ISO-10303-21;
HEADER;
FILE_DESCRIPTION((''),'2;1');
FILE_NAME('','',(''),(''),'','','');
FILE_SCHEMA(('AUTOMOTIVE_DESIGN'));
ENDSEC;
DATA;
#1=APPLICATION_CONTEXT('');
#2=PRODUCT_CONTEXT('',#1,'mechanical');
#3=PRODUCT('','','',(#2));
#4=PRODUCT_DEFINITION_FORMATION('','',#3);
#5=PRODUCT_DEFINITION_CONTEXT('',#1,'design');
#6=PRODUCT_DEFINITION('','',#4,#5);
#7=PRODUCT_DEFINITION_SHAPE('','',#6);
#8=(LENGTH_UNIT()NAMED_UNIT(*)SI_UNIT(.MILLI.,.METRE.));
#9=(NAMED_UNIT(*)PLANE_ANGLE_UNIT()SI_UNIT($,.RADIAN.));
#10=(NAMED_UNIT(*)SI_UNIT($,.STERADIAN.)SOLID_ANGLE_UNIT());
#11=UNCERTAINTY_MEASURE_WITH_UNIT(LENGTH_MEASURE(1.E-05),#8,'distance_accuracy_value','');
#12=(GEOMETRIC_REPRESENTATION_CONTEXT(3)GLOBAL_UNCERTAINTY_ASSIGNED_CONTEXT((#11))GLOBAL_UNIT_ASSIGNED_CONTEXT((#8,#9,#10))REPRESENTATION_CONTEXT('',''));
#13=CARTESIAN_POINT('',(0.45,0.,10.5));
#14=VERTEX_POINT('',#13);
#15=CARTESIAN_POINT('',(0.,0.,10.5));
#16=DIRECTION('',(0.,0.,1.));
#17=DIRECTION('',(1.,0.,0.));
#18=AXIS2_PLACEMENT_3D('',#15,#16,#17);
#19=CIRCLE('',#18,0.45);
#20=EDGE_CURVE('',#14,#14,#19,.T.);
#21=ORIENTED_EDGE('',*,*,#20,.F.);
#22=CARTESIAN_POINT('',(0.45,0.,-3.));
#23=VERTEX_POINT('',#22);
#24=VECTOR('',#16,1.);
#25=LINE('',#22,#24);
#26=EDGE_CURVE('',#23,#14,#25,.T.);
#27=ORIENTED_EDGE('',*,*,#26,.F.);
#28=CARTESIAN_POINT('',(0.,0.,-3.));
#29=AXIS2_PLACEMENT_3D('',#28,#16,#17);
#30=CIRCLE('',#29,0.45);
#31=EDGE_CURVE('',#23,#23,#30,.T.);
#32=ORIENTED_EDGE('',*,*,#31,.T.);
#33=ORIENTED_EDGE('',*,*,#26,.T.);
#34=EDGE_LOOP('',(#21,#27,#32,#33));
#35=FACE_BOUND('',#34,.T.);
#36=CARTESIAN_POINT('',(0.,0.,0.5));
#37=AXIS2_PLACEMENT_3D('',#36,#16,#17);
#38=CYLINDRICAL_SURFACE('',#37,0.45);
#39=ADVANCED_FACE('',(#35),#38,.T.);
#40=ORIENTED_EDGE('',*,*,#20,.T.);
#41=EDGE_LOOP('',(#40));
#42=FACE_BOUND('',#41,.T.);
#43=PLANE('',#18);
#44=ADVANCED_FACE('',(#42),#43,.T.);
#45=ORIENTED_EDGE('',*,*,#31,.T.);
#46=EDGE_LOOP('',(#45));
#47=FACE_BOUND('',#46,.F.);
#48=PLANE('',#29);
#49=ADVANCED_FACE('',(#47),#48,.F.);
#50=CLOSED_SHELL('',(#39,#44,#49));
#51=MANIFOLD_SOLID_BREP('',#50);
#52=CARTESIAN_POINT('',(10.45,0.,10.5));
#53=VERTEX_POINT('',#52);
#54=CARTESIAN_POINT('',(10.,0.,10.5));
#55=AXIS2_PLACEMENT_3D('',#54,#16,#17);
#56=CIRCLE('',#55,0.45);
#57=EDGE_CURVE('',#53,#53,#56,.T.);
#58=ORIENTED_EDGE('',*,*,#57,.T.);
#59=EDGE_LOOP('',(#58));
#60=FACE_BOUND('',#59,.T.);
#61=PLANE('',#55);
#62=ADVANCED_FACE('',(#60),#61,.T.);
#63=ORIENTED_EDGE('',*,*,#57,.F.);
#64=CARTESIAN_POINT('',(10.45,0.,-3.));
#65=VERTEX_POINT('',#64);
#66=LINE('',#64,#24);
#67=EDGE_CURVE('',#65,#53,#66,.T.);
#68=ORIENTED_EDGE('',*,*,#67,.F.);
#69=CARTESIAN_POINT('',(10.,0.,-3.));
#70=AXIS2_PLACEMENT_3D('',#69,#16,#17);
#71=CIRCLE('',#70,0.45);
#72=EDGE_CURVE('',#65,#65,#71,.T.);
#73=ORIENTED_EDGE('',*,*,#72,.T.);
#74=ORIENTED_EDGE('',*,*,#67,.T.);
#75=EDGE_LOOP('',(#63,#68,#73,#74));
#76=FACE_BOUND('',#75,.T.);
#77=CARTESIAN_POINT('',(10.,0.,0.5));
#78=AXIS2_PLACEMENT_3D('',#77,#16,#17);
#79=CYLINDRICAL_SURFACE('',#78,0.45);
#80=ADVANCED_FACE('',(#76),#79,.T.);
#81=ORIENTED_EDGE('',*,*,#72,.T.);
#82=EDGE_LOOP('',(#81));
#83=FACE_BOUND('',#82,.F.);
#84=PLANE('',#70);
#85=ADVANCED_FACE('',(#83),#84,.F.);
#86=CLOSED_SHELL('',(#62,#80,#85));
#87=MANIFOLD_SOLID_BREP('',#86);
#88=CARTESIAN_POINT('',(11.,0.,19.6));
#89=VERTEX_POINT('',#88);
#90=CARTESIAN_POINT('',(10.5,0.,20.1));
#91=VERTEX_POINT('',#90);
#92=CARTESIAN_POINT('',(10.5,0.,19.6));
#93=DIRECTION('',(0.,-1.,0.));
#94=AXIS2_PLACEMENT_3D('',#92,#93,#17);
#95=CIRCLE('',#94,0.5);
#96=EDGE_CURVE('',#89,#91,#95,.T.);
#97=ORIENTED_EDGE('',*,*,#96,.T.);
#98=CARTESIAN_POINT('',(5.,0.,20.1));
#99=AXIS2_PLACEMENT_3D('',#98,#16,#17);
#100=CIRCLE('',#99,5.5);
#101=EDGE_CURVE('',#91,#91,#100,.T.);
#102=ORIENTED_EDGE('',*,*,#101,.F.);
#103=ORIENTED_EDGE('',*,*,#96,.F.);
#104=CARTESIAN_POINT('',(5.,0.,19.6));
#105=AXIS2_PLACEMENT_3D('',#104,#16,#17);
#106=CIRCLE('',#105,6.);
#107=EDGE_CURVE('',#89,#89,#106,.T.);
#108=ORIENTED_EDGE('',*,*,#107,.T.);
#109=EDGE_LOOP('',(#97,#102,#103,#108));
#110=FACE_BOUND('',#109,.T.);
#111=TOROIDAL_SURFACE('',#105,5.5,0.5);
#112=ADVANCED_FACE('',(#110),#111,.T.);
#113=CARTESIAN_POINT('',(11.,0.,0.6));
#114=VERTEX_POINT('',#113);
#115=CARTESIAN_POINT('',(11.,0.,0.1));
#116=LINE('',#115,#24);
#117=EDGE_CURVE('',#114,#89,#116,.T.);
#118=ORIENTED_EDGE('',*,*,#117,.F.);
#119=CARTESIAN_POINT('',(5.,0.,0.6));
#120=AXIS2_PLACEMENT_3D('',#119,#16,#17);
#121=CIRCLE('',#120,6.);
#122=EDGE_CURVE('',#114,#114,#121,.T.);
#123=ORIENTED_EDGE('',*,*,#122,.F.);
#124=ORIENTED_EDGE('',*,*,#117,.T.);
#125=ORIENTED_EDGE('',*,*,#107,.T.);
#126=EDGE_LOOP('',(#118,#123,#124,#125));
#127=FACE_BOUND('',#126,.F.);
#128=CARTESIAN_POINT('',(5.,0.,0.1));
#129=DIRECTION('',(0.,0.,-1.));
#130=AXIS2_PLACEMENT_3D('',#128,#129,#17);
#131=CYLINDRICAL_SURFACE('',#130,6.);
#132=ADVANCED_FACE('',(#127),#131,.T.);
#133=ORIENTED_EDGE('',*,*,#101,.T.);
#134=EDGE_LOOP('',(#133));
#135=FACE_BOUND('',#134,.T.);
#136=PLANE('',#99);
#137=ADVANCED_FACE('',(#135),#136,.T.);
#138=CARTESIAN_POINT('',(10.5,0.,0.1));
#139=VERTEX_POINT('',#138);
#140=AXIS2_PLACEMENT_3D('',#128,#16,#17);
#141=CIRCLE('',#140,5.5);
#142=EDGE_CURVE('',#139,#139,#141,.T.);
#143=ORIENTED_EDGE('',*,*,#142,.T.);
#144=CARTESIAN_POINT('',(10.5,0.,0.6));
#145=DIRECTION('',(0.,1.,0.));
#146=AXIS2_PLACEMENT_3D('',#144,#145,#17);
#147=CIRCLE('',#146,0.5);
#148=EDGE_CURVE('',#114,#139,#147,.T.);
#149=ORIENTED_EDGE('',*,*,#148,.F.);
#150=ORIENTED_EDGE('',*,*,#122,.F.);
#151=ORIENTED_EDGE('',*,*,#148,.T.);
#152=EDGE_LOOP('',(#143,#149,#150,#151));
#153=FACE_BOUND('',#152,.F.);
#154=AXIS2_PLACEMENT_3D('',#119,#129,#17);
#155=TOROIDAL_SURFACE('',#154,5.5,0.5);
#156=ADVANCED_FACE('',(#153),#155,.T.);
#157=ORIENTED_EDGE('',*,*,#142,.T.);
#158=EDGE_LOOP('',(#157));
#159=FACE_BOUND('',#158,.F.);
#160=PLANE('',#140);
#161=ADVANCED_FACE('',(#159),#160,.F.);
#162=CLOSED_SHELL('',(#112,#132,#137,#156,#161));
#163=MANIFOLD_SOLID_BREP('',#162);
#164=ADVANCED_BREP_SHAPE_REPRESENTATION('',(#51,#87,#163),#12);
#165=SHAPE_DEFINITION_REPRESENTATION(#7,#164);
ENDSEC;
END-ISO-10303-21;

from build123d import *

# Parameters (mm, degrees)
SKETCH001_R       = 0.45
PAD001_DEPTH      = 10
PAD001_DEPTH_BACK = 3.5
SKETCH_R          = 6
PAD_DEPTH         = 20
FILLET_R          = 0.5


with BuildPart() as pad001:
    # Sketch001 → Pad001 (new body, two sides)
    with BuildSketch(Plane.XY.offset(0.5)) as pad001_sk:
        Circle(SKETCH001_R)
        with Locations((10, 0)):
            Circle(SKETCH001_R)
    extrude(amount=PAD001_DEPTH)
    extrude(pad001_sk.sketch, amount=-PAD001_DEPTH_BACK)


with BuildPart() as fillet_body:
    # Sketch → Pad (new body)
    with BuildSketch(Plane.XY.offset(0.1)):
        with Locations((5, 0)):
            Circle(SKETCH_R)
    extrude(amount=PAD_DEPTH)

    # Fillet
    fillet_edges = [fillet_body.edges().sort_by_distance(p)[0] for p in [
        (-1, 0, 0.1),
        (-1, 0, 20.1),
    ]]
    fillet(fillet_edges, radius=FILLET_R)


solid = Compound([pad001.part, fillet_body.part])
